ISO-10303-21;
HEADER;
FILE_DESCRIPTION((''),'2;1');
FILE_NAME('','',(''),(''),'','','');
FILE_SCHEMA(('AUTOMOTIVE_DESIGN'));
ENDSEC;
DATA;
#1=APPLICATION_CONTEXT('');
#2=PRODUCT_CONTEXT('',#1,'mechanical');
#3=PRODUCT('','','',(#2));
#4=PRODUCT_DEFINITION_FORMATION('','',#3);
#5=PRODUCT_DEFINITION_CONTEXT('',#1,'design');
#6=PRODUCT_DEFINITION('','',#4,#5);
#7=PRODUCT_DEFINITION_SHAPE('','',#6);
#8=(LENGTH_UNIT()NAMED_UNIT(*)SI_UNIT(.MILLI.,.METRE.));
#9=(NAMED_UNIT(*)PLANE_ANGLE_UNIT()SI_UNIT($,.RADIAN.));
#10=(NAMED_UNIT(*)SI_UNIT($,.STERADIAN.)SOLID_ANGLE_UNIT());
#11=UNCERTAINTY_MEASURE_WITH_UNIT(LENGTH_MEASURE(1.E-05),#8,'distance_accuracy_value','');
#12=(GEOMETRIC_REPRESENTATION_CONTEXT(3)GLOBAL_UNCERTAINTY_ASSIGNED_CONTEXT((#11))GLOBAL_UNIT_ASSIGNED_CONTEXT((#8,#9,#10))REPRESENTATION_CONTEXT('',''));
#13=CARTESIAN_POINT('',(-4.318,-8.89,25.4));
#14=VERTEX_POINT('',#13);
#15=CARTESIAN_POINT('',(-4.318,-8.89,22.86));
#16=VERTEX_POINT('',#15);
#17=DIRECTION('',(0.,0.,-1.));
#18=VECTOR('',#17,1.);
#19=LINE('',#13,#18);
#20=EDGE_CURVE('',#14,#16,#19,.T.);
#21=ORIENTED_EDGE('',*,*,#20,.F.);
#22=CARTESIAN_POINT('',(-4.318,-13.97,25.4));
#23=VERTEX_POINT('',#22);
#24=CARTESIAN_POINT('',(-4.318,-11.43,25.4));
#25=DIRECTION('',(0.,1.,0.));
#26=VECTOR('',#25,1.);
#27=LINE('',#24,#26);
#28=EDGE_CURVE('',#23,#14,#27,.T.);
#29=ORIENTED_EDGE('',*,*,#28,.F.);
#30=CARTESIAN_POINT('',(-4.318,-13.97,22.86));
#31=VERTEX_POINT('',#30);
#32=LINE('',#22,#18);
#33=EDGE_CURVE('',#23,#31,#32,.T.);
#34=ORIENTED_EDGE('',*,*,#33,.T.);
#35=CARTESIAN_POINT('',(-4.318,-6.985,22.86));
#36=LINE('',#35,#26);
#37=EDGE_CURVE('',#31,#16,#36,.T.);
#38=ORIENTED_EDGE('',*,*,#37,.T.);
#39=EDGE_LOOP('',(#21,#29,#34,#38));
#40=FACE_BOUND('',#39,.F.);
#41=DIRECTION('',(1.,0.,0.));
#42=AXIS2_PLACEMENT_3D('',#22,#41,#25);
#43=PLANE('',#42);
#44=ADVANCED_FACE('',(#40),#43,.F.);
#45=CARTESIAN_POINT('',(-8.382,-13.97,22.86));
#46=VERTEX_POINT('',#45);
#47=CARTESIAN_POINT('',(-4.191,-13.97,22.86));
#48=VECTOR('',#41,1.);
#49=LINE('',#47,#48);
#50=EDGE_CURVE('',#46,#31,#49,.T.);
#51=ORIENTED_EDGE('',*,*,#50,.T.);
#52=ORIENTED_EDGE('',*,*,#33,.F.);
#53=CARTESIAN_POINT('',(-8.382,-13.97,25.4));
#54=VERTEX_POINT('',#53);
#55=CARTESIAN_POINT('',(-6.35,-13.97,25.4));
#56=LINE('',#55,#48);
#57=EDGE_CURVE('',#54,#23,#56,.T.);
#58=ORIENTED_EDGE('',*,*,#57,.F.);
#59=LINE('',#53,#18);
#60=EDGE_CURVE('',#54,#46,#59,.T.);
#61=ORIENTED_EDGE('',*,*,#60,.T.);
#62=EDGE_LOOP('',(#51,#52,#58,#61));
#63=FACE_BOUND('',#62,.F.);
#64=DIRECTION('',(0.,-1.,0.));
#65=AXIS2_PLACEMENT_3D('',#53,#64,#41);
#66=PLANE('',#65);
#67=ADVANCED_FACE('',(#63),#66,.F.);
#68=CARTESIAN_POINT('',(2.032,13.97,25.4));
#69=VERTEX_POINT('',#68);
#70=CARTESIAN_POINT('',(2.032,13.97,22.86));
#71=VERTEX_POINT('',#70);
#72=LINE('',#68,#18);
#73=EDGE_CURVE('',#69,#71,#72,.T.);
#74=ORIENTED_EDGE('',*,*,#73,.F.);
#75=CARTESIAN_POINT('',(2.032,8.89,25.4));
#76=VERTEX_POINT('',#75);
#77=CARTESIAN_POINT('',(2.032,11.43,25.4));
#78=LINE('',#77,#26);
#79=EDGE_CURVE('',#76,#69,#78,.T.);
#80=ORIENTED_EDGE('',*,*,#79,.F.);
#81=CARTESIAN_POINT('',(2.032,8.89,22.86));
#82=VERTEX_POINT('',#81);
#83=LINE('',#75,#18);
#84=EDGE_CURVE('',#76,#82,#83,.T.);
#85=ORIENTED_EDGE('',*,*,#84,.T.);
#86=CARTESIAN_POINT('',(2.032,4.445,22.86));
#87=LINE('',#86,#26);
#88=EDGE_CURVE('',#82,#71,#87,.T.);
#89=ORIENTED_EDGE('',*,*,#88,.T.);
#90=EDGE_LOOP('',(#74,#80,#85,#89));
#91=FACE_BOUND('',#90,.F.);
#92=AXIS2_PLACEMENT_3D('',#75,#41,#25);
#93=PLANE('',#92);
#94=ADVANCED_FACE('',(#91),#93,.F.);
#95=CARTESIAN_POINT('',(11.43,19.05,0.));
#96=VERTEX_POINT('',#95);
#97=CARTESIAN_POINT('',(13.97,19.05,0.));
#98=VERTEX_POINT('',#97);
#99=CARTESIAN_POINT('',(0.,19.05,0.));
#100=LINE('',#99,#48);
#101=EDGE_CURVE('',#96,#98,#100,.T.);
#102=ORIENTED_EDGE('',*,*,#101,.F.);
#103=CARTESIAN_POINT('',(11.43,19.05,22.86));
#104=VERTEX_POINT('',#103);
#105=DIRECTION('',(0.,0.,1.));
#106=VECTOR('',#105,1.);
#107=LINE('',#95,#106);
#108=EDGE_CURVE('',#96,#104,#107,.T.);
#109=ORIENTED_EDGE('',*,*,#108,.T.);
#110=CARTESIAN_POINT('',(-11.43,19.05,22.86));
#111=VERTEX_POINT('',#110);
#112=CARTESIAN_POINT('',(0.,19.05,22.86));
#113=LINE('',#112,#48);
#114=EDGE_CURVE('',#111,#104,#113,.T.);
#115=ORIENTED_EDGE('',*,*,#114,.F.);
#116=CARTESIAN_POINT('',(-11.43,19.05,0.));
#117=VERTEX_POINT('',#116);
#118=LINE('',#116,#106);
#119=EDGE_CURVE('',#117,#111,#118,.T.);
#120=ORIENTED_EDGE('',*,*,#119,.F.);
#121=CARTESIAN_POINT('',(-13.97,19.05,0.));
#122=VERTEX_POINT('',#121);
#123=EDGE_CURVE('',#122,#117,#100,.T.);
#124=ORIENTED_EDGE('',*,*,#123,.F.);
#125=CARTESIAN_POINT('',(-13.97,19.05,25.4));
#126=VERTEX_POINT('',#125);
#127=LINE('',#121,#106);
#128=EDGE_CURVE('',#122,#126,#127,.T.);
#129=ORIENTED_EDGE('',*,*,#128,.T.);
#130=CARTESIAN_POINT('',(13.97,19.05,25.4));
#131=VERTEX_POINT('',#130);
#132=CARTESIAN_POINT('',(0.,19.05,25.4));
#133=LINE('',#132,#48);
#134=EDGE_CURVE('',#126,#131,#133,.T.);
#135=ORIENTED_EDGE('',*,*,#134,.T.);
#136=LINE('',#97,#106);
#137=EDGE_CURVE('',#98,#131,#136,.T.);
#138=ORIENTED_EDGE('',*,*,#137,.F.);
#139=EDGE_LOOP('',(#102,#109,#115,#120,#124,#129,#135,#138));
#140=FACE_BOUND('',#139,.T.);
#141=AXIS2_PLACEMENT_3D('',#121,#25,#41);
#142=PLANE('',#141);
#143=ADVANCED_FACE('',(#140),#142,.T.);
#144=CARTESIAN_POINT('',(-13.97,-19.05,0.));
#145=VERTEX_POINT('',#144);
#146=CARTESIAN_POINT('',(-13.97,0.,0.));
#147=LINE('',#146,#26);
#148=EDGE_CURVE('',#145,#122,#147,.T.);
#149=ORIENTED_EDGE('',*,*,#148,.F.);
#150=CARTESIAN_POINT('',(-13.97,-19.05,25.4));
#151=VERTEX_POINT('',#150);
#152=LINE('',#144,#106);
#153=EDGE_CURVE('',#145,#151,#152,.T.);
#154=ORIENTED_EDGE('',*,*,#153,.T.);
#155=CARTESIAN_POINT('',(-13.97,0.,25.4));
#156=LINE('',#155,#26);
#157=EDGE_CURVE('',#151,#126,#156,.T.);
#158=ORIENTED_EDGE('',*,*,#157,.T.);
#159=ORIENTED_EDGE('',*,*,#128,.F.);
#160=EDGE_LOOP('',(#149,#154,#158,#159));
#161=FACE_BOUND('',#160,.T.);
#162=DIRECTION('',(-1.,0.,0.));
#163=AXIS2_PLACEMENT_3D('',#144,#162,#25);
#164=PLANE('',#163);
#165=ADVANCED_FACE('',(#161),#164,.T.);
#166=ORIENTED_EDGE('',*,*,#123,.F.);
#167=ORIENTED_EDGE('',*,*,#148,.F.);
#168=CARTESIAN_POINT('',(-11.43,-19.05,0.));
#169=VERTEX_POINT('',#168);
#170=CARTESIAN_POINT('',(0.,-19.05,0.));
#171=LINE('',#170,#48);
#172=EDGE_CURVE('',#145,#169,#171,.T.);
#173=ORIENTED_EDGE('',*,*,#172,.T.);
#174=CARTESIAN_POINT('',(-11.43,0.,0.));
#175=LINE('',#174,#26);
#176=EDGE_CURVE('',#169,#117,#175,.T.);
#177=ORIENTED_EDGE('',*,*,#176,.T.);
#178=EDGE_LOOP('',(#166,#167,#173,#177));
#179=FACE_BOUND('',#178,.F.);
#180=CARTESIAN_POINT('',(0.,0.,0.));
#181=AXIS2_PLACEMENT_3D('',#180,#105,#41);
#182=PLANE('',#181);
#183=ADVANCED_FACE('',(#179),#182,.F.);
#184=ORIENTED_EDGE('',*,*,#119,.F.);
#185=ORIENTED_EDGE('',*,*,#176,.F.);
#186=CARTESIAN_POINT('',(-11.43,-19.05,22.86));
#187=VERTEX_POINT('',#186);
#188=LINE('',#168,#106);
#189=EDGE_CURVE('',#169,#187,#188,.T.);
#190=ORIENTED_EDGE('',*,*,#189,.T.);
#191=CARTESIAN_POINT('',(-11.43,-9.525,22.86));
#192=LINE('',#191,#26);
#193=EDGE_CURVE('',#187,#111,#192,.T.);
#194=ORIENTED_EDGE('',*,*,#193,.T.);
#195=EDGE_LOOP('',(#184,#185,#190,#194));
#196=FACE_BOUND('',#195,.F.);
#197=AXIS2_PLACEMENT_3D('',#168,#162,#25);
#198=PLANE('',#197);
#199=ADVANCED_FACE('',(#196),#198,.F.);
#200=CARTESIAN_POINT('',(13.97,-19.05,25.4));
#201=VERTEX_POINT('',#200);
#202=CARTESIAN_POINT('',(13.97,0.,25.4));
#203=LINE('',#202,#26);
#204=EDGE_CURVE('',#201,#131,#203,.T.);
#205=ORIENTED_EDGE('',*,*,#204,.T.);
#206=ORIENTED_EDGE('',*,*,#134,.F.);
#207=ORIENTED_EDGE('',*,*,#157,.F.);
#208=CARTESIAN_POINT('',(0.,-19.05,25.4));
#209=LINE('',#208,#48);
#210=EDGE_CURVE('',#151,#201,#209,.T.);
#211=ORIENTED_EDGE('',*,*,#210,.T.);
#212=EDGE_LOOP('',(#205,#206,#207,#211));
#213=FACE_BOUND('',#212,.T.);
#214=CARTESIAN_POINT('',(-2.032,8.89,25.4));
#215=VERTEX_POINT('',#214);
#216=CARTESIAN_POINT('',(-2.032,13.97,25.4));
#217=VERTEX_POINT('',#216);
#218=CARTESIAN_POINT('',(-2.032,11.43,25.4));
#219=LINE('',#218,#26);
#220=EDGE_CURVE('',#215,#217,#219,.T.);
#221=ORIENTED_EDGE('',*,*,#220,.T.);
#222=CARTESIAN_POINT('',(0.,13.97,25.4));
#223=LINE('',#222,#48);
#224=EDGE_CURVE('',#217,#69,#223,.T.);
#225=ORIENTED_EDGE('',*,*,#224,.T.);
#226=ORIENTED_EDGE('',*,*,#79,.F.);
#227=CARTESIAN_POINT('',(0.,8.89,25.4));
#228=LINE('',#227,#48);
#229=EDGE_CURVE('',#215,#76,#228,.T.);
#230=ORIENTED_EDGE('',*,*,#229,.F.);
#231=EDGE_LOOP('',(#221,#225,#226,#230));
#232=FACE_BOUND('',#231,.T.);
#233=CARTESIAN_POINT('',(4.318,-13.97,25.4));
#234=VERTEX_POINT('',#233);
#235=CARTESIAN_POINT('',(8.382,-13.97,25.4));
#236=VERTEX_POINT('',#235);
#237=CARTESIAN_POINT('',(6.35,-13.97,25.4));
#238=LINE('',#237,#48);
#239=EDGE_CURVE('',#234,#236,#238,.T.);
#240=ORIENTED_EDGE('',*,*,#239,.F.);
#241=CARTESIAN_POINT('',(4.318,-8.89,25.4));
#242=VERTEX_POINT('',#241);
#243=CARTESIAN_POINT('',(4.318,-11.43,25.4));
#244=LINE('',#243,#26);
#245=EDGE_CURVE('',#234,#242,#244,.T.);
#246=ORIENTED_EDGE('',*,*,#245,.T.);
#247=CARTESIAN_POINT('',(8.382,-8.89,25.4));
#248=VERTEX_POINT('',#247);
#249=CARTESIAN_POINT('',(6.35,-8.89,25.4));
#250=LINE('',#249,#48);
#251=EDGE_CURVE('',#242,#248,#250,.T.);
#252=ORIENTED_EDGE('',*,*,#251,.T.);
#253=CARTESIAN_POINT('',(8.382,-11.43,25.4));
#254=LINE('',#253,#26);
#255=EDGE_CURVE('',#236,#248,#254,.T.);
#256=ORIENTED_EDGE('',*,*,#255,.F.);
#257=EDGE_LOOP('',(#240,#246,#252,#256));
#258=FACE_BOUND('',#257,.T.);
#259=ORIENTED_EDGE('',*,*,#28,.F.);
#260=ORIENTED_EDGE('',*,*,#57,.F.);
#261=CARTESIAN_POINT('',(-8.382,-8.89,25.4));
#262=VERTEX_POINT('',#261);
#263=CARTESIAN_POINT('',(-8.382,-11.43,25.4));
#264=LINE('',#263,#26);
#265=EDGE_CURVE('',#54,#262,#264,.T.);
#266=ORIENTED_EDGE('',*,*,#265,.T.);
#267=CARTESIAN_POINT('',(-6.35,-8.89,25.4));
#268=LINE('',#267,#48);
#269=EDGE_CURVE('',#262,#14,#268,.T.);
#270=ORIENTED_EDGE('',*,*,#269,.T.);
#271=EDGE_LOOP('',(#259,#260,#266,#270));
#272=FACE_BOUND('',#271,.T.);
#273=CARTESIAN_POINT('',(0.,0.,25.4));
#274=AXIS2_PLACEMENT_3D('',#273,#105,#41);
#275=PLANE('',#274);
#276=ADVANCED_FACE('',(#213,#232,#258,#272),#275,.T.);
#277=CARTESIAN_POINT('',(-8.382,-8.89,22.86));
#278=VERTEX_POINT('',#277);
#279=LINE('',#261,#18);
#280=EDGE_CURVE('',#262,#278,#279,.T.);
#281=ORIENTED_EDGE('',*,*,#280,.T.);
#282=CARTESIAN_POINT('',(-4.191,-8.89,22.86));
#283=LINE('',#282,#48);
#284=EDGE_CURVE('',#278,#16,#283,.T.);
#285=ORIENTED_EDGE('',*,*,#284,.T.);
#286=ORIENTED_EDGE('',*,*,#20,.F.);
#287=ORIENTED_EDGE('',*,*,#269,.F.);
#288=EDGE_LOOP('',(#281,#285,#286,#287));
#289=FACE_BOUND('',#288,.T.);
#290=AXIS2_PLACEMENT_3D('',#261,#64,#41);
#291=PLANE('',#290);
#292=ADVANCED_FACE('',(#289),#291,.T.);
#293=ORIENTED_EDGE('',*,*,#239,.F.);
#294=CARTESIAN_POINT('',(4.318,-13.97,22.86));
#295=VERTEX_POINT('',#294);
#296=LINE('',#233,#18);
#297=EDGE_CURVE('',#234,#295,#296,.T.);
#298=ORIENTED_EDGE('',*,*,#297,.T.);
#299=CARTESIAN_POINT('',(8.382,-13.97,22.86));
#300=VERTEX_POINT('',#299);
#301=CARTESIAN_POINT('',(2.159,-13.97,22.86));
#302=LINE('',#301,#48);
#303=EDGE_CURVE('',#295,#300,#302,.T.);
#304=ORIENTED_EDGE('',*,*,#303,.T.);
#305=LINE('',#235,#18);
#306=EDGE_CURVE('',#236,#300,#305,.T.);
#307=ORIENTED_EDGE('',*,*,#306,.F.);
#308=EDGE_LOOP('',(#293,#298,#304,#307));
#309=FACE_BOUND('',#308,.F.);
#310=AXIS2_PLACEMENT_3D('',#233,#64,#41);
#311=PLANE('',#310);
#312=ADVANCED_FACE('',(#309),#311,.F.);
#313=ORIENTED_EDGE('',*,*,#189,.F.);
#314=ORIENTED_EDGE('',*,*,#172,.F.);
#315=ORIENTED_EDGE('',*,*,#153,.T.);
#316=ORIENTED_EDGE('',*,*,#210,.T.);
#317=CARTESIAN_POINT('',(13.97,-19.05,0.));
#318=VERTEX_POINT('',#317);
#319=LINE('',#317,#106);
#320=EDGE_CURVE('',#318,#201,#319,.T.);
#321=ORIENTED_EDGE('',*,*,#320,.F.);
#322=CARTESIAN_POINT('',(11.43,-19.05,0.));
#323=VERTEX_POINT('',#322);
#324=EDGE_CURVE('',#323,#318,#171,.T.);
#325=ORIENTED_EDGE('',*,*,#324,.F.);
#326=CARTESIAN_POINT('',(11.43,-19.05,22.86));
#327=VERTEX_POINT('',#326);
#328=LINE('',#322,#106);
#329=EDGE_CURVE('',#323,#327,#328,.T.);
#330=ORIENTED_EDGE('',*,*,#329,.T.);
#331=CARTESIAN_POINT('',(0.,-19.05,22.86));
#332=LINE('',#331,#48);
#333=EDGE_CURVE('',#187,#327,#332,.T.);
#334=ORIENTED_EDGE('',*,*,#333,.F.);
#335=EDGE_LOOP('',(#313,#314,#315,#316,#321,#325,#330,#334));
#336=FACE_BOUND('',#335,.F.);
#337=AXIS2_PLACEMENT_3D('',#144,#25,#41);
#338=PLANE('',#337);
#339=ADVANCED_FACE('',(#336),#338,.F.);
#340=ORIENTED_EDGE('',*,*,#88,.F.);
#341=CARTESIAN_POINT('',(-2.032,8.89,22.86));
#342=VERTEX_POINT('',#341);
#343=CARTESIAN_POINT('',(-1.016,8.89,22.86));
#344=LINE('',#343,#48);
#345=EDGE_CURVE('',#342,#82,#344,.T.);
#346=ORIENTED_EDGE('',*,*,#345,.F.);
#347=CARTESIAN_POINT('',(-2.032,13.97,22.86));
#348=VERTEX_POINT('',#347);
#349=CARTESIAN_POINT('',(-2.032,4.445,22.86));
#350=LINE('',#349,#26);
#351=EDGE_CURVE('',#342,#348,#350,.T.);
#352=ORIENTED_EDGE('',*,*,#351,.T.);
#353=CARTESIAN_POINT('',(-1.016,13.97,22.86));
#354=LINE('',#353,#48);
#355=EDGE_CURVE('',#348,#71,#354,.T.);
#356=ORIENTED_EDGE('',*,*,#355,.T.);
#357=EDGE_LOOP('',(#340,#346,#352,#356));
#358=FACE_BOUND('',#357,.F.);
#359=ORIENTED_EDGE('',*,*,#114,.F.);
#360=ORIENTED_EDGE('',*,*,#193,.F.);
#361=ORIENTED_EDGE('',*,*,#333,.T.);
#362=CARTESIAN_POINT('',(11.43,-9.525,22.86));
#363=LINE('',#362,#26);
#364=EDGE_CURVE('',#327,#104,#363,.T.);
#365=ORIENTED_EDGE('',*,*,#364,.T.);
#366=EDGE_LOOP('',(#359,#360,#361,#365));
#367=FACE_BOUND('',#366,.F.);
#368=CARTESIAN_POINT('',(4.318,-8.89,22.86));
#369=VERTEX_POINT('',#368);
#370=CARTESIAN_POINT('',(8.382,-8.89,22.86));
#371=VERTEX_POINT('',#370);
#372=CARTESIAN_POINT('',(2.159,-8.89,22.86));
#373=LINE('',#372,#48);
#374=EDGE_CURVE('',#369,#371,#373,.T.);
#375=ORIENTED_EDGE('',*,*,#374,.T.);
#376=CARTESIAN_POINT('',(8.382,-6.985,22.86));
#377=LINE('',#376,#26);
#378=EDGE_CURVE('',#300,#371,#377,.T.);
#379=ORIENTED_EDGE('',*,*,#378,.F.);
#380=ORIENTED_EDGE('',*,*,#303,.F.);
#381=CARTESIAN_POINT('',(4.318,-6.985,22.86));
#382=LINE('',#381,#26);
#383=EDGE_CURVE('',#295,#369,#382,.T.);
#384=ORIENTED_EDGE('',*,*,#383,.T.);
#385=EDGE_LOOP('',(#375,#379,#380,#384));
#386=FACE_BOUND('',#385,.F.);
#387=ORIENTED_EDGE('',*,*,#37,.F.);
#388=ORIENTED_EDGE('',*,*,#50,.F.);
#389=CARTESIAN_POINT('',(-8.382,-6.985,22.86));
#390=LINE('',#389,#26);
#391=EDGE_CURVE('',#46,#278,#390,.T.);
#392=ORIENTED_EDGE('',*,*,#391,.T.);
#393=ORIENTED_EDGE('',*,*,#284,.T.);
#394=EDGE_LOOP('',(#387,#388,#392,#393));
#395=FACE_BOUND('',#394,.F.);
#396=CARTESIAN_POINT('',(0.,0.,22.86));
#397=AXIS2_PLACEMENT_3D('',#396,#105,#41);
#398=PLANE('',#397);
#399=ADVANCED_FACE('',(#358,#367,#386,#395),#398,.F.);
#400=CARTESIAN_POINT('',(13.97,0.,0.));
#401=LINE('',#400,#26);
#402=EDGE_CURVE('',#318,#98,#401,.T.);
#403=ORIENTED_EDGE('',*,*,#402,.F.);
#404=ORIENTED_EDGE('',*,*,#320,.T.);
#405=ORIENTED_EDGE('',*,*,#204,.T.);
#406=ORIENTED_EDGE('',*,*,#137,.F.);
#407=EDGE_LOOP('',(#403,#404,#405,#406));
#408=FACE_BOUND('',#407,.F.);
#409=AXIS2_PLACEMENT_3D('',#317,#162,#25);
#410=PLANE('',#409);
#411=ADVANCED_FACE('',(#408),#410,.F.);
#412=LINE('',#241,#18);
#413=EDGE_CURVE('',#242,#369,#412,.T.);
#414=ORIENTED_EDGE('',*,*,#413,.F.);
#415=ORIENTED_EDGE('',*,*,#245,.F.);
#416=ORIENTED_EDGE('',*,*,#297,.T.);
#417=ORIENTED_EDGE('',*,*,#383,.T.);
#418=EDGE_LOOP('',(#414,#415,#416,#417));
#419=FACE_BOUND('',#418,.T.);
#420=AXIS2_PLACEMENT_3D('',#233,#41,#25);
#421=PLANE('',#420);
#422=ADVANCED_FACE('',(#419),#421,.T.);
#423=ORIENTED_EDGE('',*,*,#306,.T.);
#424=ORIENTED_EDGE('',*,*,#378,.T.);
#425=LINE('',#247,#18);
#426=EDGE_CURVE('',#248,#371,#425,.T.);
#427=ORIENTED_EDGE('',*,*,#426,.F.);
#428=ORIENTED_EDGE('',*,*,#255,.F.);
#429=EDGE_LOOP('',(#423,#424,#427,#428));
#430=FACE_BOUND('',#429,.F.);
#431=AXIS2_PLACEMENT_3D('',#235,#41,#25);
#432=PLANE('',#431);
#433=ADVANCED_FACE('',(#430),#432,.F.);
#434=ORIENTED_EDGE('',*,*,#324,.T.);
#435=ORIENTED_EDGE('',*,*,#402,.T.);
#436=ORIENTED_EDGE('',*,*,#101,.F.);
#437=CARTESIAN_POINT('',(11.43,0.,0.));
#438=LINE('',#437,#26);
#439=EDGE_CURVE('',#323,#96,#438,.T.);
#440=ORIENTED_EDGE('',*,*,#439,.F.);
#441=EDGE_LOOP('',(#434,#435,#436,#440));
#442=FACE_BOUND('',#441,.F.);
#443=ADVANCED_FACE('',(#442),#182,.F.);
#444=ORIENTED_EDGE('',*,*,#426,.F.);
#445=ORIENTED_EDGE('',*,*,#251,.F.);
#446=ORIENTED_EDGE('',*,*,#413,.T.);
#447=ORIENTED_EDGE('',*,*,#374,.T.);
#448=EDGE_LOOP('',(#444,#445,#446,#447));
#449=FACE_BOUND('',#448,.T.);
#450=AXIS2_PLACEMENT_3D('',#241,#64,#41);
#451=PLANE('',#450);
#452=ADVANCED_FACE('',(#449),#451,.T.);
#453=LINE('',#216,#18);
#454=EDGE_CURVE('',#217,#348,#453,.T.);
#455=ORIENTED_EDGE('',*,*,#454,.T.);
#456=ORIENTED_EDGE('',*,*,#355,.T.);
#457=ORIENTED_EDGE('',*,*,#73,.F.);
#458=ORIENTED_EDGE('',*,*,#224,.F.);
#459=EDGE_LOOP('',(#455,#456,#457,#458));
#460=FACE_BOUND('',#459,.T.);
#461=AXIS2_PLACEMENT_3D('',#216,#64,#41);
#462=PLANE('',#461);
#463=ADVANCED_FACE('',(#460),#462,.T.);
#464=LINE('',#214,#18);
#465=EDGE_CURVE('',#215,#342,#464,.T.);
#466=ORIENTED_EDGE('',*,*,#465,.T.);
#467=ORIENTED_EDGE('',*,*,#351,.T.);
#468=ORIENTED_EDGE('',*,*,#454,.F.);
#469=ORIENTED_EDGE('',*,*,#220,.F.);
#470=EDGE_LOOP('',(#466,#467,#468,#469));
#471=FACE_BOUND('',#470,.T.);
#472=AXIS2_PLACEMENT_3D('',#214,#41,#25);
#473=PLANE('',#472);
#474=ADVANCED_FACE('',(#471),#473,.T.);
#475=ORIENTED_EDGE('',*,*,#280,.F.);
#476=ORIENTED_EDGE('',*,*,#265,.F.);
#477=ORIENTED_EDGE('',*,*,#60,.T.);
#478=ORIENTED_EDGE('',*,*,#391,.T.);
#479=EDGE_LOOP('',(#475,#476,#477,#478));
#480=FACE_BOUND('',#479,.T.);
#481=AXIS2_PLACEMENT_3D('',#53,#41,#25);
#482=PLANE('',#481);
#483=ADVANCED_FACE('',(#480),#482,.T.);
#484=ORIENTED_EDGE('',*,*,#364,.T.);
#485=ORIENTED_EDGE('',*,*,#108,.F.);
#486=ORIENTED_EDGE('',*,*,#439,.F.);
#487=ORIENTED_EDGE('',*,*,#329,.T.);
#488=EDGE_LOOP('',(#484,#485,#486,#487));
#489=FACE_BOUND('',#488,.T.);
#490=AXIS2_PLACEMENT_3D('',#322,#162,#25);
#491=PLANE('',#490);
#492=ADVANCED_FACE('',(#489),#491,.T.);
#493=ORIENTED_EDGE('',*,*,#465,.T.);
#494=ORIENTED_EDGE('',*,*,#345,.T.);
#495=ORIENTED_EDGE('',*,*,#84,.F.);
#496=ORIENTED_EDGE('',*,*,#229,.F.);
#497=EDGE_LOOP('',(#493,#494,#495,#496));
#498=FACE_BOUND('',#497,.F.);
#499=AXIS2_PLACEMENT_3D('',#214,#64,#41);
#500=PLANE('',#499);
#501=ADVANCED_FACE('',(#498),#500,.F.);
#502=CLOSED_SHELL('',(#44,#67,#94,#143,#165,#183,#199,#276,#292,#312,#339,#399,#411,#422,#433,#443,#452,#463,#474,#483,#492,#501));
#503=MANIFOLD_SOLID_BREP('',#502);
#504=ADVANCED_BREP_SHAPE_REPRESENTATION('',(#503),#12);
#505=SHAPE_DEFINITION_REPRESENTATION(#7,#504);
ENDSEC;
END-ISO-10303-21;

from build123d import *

# Parameters (mm, degrees)
F0_W     = 27.94
F0_H     = 38.1
F1_DEPTH = 25.4
F3_T     = -2.54
F2_W     = 4.064
F2_H     = 5.08
F4_DEPTH = 25.4


with BuildPart() as f1:
    # F0 (on Top) → F1 (new body)
    with BuildSketch(Plane.XY):
        Rectangle(F0_W, F0_H)
    extrude(amount=F1_DEPTH)

    # F3
    f3_openings = [f1.faces().sort_by_distance(p)[0] for p in [
        (0, -19.05, 12.7),
        (0, 0, 0),
        (0, 19.05, 12.7),
    ]]
    offset(amount=F3_T, openings=f3_openings)

    # F2 (on face) → F4 (cut)
    with BuildSketch(Plane.XY.offset(25.4)):
        with Locations((0, 11.43)):
            Rectangle(F2_W, F2_H)
        with Locations((-6.35, -11.43)):
            Rectangle(F2_W, F2_H)
        with Locations((6.35, -11.43)):
            Rectangle(F2_W, F2_H)
    extrude(amount=-F4_DEPTH, mode=Mode.SUBTRACT)


solid = f1.part
